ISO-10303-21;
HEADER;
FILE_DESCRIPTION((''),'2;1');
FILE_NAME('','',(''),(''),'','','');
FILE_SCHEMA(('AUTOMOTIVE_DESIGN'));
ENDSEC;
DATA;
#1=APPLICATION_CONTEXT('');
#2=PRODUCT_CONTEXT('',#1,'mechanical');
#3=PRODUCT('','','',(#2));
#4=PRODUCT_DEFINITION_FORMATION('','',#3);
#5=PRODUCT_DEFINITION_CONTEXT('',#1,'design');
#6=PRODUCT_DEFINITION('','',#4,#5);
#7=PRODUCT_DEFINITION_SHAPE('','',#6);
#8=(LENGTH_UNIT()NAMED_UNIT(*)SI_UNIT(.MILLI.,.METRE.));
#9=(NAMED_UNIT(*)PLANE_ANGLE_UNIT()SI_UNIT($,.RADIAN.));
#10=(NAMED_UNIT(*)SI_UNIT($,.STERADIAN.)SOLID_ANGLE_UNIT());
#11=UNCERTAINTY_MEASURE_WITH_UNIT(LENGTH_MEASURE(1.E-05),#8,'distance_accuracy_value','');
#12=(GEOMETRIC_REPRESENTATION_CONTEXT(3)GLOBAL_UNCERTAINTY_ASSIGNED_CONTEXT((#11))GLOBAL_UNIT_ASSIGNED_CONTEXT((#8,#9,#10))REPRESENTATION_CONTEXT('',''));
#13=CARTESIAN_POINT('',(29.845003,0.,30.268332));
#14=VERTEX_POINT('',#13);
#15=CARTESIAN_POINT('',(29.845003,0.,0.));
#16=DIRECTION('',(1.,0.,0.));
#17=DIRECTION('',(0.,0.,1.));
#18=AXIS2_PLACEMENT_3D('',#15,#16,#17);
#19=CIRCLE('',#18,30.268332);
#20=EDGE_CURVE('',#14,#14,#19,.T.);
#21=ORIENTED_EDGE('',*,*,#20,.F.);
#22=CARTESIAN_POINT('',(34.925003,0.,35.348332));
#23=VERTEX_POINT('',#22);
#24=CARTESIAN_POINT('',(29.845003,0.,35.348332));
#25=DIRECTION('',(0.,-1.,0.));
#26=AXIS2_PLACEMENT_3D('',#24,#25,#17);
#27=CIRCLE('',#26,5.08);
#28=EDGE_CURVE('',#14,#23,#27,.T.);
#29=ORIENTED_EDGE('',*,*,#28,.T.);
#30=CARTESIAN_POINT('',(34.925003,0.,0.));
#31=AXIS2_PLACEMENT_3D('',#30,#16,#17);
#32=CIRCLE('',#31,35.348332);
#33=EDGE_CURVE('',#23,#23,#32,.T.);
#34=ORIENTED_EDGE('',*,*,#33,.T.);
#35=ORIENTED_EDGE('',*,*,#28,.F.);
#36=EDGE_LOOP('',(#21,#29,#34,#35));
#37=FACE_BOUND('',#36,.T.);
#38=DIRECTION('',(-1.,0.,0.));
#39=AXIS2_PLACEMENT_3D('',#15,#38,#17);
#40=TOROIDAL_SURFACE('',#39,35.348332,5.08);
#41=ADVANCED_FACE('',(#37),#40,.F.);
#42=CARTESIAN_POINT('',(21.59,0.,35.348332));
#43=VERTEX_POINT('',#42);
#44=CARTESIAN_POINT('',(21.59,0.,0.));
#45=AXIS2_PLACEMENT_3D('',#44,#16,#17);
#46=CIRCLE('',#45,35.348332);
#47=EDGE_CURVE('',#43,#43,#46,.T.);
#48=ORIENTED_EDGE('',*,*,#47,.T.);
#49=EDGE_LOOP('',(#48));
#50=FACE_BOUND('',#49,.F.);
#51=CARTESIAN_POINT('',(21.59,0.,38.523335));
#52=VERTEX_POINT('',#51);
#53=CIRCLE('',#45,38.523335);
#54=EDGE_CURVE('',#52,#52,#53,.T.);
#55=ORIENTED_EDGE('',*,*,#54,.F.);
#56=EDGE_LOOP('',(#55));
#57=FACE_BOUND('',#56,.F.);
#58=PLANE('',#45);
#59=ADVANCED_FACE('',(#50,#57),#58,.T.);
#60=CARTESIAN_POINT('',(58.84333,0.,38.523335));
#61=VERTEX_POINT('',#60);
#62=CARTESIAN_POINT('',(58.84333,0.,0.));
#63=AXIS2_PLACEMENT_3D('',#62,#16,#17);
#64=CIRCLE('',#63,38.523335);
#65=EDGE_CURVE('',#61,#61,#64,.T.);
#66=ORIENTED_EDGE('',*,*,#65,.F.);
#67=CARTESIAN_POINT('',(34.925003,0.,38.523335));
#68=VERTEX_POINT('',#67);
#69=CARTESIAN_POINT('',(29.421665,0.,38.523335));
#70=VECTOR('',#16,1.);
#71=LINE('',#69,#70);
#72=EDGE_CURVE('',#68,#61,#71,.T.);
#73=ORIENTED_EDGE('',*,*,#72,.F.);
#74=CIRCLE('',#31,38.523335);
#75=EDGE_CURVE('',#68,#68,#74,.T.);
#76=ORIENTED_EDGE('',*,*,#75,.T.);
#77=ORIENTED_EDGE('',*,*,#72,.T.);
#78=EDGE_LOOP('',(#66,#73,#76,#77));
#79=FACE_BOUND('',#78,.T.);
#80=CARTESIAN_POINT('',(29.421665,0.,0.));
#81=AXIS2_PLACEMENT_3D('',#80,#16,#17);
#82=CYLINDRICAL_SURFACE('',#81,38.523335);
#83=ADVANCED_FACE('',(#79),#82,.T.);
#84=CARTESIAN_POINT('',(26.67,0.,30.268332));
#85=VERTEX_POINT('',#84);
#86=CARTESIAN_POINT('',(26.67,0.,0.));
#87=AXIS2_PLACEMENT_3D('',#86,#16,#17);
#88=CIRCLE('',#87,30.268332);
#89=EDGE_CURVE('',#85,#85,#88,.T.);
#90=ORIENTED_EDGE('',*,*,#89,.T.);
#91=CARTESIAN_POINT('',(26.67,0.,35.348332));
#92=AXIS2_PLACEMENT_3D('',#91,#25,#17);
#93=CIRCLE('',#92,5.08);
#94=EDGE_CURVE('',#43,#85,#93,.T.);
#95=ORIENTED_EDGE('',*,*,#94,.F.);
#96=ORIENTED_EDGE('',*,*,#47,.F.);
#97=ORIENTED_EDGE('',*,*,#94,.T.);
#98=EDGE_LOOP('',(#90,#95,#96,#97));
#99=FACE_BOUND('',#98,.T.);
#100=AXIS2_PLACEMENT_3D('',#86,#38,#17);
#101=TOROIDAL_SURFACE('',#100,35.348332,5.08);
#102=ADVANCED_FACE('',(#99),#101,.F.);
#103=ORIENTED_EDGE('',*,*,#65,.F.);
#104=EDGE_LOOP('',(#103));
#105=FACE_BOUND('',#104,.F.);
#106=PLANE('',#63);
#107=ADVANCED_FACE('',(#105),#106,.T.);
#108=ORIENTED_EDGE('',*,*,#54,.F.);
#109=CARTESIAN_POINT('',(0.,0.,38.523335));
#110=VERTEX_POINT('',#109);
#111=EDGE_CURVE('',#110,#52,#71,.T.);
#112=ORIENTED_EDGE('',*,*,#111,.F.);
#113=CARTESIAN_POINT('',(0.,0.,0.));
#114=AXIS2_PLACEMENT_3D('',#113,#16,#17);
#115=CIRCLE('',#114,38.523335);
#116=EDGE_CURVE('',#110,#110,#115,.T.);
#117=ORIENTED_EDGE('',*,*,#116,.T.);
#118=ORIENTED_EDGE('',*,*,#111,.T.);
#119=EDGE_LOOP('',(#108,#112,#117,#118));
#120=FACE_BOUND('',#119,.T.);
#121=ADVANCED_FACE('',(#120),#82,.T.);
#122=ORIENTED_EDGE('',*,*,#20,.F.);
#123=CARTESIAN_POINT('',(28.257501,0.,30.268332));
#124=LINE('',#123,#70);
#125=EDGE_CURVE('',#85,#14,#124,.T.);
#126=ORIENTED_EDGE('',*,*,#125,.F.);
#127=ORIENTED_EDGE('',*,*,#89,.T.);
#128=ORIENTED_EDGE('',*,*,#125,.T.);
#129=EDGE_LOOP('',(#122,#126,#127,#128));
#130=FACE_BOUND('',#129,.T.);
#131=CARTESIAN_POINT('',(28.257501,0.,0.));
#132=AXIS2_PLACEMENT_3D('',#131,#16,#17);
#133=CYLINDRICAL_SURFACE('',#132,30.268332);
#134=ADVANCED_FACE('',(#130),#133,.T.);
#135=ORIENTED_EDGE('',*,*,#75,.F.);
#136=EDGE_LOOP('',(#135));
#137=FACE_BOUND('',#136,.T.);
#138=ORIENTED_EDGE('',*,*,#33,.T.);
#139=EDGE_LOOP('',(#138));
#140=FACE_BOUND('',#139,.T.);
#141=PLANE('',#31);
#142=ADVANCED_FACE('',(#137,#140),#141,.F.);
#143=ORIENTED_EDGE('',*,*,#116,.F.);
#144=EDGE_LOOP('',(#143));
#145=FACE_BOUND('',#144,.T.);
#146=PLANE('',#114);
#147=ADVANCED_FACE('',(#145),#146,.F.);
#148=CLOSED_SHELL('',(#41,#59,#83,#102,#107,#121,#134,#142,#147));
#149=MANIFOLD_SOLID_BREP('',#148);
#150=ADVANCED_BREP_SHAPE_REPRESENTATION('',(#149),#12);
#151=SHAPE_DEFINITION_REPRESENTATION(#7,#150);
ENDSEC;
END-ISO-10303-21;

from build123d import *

# Parameters (mm, degrees)
F0_W = 58.8433295488
F0_H = 38.5233350098
F2_W = 13.3350025862
F2_H = 11.2183336169
F4_R = 5.08


with BuildPart() as f1:
    # F0 (on Front) → F1 (revolve)
    with BuildSketch(Plane.XZ):
        with Locations((29.4216647744, 19.2616675049)):
            Rectangle(F0_W, F0_H)
    revolve(axis=Axis((29.4216647744, 0, 0), (1, 0, 0)))

    # F2 (on Front) → F3 (revolve, cut)
    with BuildSketch(Plane.XZ):
        with Locations((28.2575013116, 35.8774987981)):
            Rectangle(F2_W, F2_H)
    revolve(axis=Axis((32.2791673243, 0, 0), (1, 0, 0)), mode=Mode.SUBTRACT)

    # F4
    f4_edges = [f1.edges().sort_by_distance(p)[0] for p in [
        (21.59, 0, -30.268332),
        (34.925003, 0, -30.268332),
        (28.257501, 0, 30.268332),
    ]]
    fillet(f4_edges, radius=F4_R)


solid = f1.part
